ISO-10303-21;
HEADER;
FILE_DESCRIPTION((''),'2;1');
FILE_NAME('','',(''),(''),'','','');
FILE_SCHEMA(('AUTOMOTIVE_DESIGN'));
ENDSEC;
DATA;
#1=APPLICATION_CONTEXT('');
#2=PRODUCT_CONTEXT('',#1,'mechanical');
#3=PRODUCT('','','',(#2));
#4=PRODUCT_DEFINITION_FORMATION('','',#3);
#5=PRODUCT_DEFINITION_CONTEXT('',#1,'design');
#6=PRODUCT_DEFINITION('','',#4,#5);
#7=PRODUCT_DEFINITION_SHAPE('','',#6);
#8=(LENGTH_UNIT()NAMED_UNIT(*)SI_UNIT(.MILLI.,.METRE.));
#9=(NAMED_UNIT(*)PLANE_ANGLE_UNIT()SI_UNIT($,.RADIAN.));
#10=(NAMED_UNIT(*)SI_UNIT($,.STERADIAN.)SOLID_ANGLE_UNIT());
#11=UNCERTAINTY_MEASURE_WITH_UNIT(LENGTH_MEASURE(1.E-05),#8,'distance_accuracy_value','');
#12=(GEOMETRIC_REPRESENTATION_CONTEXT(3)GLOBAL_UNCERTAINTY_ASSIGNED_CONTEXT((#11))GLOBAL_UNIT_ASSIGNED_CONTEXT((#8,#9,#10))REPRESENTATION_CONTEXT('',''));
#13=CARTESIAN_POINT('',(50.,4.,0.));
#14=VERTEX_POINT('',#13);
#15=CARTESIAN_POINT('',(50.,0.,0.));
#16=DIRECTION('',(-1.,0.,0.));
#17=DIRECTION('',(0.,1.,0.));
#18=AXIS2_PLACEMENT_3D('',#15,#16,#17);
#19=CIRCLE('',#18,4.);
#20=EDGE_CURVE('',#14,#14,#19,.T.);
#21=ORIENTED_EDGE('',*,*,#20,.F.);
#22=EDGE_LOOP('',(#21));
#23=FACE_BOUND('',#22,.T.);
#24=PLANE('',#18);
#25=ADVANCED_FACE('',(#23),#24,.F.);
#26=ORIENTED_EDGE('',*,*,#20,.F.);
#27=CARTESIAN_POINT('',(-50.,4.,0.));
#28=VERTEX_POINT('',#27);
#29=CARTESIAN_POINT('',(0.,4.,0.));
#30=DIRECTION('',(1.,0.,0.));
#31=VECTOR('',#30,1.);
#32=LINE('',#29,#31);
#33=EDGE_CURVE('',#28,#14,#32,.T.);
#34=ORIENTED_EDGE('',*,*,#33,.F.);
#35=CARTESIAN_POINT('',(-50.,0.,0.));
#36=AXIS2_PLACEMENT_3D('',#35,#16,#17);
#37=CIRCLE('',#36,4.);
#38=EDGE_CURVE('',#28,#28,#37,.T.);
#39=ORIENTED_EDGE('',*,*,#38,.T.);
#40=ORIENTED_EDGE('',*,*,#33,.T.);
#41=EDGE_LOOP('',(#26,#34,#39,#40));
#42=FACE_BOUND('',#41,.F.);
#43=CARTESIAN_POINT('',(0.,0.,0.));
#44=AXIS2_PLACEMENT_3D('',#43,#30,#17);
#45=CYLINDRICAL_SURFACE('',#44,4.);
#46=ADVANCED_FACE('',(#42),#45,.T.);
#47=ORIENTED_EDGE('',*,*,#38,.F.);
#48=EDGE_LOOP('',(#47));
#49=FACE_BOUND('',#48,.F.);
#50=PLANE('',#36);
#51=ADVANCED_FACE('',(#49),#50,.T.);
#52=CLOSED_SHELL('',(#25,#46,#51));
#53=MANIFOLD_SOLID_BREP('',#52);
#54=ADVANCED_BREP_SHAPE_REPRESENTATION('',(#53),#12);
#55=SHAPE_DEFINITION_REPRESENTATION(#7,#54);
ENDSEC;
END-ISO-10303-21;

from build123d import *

# Parameters (mm, degrees)
SKETCH1_W = 100
SKETCH1_H = 4


with BuildPart() as part:
    # Sketch1 → Revolve1 (revolve)
    with BuildSketch(Plane.XY):
        with Locations((0, 2)):
            Rectangle(SKETCH1_W, SKETCH1_H)
    revolve(axis=Axis((50, 0, 0), (-1, 0, 0)))


solid = part.part
